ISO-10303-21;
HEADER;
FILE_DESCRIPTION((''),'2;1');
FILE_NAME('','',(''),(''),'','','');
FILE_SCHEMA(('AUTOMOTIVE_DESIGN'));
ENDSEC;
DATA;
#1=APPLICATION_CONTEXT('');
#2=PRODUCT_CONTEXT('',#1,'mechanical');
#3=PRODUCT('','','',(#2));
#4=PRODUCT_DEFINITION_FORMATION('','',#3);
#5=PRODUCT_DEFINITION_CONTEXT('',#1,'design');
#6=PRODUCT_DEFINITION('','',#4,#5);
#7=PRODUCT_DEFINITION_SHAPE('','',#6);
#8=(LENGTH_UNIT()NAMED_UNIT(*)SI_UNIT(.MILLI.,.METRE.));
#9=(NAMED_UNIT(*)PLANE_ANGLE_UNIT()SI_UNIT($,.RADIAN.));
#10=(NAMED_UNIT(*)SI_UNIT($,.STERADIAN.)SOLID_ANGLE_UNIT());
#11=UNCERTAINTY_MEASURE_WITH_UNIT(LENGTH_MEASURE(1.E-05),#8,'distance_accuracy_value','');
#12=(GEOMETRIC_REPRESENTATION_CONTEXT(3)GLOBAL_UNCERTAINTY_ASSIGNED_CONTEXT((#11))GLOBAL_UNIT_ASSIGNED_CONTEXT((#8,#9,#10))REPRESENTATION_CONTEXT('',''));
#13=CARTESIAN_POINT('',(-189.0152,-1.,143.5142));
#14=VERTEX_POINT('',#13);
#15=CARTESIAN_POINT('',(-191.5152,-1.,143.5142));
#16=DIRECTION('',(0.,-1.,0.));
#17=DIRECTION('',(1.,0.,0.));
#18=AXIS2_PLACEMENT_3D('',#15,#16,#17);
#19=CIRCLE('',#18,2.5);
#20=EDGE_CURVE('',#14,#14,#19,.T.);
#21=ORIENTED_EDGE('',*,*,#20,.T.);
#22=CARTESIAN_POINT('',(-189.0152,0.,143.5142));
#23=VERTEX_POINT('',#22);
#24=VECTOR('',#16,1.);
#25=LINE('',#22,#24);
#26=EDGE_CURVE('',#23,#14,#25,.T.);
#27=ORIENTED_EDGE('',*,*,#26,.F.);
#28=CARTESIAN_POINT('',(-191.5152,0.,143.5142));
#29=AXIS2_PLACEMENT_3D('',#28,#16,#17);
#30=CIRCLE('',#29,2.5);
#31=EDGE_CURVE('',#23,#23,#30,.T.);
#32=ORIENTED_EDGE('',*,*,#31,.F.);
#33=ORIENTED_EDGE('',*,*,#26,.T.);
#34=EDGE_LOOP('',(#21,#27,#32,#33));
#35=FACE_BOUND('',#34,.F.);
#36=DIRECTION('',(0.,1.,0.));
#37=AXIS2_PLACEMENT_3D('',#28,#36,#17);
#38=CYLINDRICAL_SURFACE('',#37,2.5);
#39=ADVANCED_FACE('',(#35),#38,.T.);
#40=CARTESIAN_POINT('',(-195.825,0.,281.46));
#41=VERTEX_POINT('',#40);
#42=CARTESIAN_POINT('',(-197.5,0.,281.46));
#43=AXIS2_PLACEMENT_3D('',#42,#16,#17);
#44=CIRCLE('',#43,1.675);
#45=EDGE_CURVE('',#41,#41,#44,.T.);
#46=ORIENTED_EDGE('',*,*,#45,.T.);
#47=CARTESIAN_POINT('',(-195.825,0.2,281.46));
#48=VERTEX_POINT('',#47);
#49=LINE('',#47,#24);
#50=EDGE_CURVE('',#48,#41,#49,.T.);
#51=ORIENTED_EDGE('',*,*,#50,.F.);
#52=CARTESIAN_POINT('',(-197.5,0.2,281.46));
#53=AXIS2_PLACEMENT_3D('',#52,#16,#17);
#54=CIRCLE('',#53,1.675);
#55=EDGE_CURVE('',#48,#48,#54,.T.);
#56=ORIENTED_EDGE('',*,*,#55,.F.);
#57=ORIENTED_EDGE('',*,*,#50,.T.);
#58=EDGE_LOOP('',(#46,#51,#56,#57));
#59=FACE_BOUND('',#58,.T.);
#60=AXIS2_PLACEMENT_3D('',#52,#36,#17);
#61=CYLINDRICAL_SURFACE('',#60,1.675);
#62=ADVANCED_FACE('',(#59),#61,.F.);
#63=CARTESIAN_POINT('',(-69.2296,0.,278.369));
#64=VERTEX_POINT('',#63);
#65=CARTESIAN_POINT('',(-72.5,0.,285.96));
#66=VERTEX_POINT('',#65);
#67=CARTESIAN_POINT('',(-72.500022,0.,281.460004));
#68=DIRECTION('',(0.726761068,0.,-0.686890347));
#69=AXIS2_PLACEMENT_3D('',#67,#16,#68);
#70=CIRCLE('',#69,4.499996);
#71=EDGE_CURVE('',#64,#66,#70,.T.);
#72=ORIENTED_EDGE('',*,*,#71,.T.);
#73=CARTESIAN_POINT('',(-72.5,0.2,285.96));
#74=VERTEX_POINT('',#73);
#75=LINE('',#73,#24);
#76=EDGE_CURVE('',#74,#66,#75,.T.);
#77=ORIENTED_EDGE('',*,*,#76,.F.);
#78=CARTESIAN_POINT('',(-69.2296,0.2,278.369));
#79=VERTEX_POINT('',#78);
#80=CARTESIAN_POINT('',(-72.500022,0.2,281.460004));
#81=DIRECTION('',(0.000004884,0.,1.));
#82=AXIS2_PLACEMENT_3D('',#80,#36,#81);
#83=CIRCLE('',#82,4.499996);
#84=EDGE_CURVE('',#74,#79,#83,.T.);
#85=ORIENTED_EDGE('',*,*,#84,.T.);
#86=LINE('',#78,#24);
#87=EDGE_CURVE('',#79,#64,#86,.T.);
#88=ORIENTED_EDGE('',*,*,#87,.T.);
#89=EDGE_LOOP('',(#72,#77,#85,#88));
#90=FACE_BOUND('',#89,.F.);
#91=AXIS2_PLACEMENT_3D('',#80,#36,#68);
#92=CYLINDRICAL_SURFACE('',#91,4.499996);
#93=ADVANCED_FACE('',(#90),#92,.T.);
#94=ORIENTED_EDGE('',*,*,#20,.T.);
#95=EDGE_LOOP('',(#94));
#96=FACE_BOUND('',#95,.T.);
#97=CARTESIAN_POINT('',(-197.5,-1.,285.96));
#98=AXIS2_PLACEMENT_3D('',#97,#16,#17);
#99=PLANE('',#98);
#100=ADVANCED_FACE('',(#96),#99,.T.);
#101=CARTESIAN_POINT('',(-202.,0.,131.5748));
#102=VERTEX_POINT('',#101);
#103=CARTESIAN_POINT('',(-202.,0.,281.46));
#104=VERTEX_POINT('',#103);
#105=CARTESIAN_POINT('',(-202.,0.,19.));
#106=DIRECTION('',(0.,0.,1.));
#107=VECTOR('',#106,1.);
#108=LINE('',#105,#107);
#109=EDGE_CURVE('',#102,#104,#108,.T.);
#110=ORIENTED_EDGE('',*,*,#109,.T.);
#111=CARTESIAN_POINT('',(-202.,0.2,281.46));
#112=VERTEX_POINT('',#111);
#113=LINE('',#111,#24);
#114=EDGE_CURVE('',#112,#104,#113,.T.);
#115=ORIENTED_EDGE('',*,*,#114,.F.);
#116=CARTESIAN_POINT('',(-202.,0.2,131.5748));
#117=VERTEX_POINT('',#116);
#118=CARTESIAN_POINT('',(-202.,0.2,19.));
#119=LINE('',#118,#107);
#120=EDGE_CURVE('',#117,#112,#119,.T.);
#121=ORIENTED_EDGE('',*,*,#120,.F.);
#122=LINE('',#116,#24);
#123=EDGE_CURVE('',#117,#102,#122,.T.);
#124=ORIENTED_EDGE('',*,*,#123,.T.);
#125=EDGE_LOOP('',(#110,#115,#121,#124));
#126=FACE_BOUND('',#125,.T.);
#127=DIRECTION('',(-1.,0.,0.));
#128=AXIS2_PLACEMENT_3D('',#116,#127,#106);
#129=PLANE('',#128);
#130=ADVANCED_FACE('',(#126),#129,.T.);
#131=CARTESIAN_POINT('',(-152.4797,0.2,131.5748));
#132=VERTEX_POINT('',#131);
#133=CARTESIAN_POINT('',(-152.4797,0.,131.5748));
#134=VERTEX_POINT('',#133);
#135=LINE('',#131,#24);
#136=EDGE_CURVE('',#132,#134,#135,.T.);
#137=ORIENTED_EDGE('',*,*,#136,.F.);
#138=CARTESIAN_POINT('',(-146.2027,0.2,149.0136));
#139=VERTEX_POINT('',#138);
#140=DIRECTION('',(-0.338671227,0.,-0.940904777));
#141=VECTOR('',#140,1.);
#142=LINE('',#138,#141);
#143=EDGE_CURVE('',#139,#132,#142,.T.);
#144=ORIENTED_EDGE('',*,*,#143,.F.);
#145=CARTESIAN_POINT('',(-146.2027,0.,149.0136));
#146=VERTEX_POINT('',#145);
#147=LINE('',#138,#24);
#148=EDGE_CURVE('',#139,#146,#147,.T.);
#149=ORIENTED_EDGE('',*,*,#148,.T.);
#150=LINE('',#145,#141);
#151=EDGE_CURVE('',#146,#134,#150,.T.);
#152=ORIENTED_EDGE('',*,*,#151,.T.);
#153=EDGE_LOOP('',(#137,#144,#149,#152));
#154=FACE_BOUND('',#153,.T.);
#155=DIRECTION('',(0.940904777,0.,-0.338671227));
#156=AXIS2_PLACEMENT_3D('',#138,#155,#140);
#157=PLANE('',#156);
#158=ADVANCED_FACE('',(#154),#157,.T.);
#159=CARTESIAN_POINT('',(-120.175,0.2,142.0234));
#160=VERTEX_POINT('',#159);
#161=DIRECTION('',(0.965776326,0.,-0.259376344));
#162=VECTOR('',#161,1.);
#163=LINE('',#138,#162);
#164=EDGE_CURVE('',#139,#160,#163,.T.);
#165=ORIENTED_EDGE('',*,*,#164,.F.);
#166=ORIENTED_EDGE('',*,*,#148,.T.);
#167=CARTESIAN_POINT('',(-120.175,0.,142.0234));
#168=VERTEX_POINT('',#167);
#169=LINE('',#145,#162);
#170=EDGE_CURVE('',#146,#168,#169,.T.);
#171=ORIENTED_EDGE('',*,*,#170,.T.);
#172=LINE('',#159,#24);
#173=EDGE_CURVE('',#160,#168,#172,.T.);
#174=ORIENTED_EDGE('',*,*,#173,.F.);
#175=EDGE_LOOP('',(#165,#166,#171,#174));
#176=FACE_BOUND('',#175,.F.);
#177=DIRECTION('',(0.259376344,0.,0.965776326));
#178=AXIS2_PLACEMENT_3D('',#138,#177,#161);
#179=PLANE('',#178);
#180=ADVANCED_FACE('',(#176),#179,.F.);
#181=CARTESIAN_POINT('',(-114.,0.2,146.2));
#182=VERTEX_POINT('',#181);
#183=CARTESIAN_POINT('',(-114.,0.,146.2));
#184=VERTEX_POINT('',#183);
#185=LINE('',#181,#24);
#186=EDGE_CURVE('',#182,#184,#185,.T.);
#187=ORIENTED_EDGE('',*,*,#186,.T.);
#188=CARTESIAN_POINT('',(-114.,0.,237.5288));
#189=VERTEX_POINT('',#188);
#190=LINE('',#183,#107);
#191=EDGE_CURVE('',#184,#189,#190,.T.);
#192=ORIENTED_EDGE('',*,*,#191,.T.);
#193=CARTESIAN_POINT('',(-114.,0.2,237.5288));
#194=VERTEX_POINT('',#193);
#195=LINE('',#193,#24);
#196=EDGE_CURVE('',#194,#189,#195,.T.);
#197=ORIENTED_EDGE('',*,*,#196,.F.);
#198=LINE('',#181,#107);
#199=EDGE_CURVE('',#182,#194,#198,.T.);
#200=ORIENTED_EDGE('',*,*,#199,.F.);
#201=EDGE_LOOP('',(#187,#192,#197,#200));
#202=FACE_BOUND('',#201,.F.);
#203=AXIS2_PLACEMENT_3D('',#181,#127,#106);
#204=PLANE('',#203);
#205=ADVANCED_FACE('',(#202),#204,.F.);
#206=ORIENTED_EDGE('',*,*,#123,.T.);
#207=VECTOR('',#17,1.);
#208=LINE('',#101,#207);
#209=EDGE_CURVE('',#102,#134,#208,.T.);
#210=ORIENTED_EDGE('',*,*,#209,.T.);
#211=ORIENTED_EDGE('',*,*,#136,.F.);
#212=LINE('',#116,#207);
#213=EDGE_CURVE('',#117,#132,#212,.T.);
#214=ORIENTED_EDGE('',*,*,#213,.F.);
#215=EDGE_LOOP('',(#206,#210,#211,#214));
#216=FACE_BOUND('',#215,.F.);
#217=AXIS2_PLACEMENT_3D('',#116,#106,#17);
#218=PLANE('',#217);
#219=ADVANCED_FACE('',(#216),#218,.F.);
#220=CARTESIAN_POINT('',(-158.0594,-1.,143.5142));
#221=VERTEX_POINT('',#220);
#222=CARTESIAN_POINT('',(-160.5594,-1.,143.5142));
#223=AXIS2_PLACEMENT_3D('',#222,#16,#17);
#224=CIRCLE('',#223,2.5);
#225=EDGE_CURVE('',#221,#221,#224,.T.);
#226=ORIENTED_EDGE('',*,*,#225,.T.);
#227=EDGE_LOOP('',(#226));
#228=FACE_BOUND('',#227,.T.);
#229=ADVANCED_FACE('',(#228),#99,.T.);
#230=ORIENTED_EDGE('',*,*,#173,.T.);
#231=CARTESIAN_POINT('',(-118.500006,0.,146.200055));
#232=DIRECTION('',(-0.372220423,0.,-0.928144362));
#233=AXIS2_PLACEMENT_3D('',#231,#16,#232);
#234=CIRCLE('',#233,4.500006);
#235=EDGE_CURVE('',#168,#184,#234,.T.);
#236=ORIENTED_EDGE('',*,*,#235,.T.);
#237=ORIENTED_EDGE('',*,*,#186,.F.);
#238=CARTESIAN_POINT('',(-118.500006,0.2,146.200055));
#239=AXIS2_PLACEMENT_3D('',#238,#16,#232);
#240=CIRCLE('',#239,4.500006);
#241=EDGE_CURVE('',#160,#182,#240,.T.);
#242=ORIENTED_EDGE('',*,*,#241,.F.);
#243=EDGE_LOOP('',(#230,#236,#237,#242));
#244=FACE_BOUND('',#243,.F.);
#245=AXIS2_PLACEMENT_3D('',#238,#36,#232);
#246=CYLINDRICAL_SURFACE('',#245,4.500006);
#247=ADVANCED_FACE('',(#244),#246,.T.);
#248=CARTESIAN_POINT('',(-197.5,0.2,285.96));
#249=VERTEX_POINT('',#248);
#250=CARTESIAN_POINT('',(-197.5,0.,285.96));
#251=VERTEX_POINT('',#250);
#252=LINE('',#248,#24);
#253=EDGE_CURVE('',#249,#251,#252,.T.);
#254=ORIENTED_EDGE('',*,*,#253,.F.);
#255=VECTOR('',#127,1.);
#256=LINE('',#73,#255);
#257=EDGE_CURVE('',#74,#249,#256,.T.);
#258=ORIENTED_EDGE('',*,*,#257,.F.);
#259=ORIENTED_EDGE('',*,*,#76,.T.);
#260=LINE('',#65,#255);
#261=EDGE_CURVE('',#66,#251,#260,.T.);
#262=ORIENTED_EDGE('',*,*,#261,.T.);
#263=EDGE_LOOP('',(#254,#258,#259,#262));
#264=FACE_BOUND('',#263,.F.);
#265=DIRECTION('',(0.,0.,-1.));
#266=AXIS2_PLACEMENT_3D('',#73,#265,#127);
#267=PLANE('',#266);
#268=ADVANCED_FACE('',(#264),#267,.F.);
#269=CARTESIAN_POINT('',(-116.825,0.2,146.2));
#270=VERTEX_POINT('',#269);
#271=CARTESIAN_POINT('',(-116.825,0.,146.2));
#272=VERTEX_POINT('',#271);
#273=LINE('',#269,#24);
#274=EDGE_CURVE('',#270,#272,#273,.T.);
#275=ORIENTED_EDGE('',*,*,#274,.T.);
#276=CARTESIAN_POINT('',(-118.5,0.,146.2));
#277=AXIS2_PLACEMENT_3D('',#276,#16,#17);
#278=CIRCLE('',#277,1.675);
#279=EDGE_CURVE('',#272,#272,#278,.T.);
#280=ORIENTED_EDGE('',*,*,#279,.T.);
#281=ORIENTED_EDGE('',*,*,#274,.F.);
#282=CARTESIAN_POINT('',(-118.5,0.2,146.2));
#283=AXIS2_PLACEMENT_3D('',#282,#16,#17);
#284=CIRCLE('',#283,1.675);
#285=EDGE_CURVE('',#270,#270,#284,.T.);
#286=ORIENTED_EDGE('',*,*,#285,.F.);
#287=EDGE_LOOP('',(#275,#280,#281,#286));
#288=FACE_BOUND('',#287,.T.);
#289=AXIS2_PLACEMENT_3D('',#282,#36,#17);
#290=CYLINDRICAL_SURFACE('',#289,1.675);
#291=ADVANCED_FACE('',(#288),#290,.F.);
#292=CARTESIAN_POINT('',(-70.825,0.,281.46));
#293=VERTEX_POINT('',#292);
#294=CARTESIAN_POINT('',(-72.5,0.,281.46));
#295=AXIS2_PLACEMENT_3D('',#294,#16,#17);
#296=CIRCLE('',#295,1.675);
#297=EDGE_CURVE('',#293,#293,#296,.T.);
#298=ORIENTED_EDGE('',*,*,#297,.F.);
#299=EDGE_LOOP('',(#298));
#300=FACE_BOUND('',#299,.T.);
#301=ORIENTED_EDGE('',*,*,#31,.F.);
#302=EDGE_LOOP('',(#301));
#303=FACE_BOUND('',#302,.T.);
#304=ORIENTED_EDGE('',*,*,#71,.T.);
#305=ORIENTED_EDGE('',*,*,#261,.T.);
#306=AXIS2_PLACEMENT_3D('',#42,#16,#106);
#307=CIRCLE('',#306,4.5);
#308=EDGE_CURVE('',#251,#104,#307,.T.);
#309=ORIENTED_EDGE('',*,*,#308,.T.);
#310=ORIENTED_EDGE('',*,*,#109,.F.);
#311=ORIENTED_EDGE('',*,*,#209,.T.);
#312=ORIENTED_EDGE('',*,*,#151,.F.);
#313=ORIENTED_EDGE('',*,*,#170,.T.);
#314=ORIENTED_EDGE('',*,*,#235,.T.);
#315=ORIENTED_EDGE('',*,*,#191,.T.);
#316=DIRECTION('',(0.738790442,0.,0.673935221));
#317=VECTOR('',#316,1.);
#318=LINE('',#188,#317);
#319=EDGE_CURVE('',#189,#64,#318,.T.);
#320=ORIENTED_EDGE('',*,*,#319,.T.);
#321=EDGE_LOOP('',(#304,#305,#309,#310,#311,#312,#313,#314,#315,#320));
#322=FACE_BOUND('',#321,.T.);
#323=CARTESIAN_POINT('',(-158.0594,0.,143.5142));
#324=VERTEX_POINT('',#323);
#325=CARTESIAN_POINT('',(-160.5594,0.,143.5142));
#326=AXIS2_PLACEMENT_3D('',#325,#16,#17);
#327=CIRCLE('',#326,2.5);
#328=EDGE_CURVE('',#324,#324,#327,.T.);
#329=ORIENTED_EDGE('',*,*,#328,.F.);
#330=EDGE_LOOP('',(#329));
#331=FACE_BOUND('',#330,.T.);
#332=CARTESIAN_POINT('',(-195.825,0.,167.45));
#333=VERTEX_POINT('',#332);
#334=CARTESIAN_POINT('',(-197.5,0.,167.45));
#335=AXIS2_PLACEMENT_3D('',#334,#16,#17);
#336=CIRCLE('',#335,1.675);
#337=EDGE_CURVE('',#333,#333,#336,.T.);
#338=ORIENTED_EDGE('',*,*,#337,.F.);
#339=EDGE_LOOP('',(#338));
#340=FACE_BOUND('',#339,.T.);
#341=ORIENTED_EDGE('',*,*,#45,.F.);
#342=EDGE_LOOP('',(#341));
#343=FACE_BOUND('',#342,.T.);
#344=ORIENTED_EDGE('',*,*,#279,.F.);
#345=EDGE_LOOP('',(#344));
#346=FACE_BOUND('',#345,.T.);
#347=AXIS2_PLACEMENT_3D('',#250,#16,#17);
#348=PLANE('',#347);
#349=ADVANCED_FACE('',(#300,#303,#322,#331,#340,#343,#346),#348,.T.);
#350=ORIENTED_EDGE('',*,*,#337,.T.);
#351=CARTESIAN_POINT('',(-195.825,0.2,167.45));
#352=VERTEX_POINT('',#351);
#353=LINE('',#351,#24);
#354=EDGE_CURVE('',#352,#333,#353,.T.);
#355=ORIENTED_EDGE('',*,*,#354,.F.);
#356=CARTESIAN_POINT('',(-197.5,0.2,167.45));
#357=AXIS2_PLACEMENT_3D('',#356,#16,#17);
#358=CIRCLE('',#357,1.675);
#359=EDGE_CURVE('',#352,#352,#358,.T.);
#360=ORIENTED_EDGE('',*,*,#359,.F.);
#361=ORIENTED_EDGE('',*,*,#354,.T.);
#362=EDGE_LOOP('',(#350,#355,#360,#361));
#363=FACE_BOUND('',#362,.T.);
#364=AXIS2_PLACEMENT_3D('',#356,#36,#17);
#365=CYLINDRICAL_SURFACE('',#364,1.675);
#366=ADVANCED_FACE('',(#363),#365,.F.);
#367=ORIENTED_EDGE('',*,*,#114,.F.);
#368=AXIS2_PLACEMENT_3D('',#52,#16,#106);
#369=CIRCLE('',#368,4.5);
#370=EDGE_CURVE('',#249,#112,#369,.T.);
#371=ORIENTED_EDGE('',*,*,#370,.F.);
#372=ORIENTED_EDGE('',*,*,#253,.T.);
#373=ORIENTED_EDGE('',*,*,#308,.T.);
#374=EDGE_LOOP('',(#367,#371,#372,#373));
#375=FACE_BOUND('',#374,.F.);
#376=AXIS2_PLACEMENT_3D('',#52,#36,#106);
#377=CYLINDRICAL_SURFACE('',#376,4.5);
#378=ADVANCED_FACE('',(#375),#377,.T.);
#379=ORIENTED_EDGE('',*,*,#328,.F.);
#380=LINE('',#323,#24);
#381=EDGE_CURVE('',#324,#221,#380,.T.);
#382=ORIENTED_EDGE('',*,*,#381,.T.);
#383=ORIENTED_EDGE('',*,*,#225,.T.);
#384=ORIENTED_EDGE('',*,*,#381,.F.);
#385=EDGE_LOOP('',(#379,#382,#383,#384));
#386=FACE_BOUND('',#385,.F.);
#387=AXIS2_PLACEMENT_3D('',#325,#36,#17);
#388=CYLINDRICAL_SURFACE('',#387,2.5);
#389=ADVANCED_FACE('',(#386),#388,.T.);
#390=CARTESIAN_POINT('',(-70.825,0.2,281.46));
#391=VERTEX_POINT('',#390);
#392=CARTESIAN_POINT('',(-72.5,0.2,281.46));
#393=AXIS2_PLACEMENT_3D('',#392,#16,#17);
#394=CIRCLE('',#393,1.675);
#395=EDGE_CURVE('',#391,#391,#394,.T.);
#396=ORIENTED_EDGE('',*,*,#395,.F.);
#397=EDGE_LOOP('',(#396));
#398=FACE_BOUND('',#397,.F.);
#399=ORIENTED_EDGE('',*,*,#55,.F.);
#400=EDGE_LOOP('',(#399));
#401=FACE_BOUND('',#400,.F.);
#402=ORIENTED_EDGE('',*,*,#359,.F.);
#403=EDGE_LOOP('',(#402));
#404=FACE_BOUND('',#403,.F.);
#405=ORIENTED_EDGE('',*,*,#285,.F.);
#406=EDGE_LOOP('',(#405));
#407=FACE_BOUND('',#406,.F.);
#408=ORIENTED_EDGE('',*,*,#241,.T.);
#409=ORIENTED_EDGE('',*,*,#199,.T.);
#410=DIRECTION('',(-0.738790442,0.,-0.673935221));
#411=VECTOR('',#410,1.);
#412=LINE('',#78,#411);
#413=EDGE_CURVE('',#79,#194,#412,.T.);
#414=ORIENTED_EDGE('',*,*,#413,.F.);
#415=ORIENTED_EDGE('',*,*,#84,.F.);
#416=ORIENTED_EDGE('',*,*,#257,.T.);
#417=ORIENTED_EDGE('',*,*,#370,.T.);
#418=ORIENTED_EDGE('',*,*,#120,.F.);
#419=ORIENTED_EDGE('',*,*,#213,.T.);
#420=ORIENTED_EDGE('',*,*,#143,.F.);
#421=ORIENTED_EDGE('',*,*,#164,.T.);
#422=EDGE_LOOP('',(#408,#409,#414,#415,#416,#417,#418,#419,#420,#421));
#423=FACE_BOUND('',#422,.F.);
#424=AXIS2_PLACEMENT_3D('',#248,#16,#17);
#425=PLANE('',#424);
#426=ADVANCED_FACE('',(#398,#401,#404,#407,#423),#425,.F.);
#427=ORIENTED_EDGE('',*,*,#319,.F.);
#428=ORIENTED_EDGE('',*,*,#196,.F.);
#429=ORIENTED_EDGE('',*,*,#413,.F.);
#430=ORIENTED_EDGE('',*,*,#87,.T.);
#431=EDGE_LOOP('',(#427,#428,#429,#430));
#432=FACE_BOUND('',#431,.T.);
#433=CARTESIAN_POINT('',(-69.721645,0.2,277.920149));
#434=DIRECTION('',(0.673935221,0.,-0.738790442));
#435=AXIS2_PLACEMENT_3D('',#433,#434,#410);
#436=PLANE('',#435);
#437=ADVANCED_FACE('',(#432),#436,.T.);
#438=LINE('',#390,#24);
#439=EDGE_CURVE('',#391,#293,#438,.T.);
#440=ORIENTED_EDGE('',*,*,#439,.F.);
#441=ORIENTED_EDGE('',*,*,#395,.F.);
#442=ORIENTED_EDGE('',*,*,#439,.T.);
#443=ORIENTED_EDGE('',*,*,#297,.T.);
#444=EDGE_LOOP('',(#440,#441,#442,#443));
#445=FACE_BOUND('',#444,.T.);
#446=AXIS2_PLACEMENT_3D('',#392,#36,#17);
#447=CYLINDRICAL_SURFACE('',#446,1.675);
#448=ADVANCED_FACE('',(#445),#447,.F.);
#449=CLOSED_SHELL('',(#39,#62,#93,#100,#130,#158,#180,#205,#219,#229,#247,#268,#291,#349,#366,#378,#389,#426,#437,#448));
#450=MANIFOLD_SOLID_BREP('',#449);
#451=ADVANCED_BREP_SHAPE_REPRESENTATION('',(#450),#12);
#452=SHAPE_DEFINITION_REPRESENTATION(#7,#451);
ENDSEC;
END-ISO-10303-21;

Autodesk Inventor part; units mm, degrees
ref_plane "YZ Plane" through (0, 0, 0) normal (1, 0, 0) x (0, 1, 0)
ref_plane "XZ Plane" through (0, 0, 0) normal (0, 1, 0) x (-1, 0, 0)
ref_plane "Work Plane1" through (-197.5, 0.2, 285.96) normal (0, -1, 0) x (1, 0, 0)
sketch "Sketch1" plane through (-197.5, 0.2, 285.96) normal (0, -1, 0) x (1, 0, 0)
  line L0 (-4.5, -266.96) -> (-4.5, -4.5) projected
  line L1 (-4.5, -154.3852) -> (45.0203, -154.3852)
  line L2 (51.2973, -136.9464) -> (22.584, -216.7184) projected
  line L3 (45.0203, -154.3852) -> (51.2973, -136.9464)
  arc A0 (77.325, -143.9366) -> (83.5, -139.76) centre (79, -139.76) ccw projected
  line L4 (51.2973, -136.9464) -> (77.325, -143.9366)
  line L5 (83.5, -139.76) -> (83.5, -48.4312)
  arc A1 (128.2704, -7.591) -> (125, 0) centre (125, -4.5) ccw projected
  arc A2 (0, 0) -> (-4.5, -4.5) centre (0, -4.5) ccw projected
  line L6 (125, 0) -> (0, 0)
  line L7 (-4.5, -4.5) -> (-4.5, -154.3852)
  circle A3 centre (0, -4.5) radius 1.675 projected
  circle A4 centre (0, -4.5) radius 4.5
  circle A5 centre (79, -139.76) radius 1.675 projected
  circle A6 centre (79, -139.76) radius 4.5
  circle A7 centre (125, -4.5) radius 1.675 projected
  line L8 (128.2704, -7.591) -> (83.5, -48.4312) projected
  circle A8 centre (125, -4.5) radius 4.5
  line L9 (127.7784, -8.0399) -> (83.5, -48.4312)
  circle A9 centre (0, -118.51) radius 1.675 projected
  circle A10 centre (0, -118.51) radius 1.675
  circle A11 centre (5.9848, -142.4458) radius 2.5 projected
  circle A12 centre (5.9848, -142.4458) radius 2.5
  circle A13 centre (36.9406, -142.4458) radius 2.5 projected
  circle A14 centre (36.9406, -142.4458) radius 2.5
  point P0 (197.5, -285.96)
extrude "Extrusion1" add sketch "Sketch1" along normal blind 0.2 contours L0 A4 L6 A8 L8 L5 A6 L4 L2 L1 | A2 A4 | A1 L8 A8 | A6 A0 | A11 | A13
sketch "Sketch2" plane through (-197.5, 0, 285.96) normal (0, -1, 0) x (1, 0, 0)
  circle A0 centre (5.9848, -142.4458) radius 2.5 projected
  circle A1 centre (5.9848, -142.4458) radius 2.5
  circle A2 centre (36.9406, -142.4458) radius 2.5 projected
  circle A3 centre (36.9406, -142.4458) radius 2.5
  point P0 (197.5, -285.96)
extrude "Extrusion2" add sketch "Sketch2" along normal blind 1
properties part number "base_main_pcb_p2"
